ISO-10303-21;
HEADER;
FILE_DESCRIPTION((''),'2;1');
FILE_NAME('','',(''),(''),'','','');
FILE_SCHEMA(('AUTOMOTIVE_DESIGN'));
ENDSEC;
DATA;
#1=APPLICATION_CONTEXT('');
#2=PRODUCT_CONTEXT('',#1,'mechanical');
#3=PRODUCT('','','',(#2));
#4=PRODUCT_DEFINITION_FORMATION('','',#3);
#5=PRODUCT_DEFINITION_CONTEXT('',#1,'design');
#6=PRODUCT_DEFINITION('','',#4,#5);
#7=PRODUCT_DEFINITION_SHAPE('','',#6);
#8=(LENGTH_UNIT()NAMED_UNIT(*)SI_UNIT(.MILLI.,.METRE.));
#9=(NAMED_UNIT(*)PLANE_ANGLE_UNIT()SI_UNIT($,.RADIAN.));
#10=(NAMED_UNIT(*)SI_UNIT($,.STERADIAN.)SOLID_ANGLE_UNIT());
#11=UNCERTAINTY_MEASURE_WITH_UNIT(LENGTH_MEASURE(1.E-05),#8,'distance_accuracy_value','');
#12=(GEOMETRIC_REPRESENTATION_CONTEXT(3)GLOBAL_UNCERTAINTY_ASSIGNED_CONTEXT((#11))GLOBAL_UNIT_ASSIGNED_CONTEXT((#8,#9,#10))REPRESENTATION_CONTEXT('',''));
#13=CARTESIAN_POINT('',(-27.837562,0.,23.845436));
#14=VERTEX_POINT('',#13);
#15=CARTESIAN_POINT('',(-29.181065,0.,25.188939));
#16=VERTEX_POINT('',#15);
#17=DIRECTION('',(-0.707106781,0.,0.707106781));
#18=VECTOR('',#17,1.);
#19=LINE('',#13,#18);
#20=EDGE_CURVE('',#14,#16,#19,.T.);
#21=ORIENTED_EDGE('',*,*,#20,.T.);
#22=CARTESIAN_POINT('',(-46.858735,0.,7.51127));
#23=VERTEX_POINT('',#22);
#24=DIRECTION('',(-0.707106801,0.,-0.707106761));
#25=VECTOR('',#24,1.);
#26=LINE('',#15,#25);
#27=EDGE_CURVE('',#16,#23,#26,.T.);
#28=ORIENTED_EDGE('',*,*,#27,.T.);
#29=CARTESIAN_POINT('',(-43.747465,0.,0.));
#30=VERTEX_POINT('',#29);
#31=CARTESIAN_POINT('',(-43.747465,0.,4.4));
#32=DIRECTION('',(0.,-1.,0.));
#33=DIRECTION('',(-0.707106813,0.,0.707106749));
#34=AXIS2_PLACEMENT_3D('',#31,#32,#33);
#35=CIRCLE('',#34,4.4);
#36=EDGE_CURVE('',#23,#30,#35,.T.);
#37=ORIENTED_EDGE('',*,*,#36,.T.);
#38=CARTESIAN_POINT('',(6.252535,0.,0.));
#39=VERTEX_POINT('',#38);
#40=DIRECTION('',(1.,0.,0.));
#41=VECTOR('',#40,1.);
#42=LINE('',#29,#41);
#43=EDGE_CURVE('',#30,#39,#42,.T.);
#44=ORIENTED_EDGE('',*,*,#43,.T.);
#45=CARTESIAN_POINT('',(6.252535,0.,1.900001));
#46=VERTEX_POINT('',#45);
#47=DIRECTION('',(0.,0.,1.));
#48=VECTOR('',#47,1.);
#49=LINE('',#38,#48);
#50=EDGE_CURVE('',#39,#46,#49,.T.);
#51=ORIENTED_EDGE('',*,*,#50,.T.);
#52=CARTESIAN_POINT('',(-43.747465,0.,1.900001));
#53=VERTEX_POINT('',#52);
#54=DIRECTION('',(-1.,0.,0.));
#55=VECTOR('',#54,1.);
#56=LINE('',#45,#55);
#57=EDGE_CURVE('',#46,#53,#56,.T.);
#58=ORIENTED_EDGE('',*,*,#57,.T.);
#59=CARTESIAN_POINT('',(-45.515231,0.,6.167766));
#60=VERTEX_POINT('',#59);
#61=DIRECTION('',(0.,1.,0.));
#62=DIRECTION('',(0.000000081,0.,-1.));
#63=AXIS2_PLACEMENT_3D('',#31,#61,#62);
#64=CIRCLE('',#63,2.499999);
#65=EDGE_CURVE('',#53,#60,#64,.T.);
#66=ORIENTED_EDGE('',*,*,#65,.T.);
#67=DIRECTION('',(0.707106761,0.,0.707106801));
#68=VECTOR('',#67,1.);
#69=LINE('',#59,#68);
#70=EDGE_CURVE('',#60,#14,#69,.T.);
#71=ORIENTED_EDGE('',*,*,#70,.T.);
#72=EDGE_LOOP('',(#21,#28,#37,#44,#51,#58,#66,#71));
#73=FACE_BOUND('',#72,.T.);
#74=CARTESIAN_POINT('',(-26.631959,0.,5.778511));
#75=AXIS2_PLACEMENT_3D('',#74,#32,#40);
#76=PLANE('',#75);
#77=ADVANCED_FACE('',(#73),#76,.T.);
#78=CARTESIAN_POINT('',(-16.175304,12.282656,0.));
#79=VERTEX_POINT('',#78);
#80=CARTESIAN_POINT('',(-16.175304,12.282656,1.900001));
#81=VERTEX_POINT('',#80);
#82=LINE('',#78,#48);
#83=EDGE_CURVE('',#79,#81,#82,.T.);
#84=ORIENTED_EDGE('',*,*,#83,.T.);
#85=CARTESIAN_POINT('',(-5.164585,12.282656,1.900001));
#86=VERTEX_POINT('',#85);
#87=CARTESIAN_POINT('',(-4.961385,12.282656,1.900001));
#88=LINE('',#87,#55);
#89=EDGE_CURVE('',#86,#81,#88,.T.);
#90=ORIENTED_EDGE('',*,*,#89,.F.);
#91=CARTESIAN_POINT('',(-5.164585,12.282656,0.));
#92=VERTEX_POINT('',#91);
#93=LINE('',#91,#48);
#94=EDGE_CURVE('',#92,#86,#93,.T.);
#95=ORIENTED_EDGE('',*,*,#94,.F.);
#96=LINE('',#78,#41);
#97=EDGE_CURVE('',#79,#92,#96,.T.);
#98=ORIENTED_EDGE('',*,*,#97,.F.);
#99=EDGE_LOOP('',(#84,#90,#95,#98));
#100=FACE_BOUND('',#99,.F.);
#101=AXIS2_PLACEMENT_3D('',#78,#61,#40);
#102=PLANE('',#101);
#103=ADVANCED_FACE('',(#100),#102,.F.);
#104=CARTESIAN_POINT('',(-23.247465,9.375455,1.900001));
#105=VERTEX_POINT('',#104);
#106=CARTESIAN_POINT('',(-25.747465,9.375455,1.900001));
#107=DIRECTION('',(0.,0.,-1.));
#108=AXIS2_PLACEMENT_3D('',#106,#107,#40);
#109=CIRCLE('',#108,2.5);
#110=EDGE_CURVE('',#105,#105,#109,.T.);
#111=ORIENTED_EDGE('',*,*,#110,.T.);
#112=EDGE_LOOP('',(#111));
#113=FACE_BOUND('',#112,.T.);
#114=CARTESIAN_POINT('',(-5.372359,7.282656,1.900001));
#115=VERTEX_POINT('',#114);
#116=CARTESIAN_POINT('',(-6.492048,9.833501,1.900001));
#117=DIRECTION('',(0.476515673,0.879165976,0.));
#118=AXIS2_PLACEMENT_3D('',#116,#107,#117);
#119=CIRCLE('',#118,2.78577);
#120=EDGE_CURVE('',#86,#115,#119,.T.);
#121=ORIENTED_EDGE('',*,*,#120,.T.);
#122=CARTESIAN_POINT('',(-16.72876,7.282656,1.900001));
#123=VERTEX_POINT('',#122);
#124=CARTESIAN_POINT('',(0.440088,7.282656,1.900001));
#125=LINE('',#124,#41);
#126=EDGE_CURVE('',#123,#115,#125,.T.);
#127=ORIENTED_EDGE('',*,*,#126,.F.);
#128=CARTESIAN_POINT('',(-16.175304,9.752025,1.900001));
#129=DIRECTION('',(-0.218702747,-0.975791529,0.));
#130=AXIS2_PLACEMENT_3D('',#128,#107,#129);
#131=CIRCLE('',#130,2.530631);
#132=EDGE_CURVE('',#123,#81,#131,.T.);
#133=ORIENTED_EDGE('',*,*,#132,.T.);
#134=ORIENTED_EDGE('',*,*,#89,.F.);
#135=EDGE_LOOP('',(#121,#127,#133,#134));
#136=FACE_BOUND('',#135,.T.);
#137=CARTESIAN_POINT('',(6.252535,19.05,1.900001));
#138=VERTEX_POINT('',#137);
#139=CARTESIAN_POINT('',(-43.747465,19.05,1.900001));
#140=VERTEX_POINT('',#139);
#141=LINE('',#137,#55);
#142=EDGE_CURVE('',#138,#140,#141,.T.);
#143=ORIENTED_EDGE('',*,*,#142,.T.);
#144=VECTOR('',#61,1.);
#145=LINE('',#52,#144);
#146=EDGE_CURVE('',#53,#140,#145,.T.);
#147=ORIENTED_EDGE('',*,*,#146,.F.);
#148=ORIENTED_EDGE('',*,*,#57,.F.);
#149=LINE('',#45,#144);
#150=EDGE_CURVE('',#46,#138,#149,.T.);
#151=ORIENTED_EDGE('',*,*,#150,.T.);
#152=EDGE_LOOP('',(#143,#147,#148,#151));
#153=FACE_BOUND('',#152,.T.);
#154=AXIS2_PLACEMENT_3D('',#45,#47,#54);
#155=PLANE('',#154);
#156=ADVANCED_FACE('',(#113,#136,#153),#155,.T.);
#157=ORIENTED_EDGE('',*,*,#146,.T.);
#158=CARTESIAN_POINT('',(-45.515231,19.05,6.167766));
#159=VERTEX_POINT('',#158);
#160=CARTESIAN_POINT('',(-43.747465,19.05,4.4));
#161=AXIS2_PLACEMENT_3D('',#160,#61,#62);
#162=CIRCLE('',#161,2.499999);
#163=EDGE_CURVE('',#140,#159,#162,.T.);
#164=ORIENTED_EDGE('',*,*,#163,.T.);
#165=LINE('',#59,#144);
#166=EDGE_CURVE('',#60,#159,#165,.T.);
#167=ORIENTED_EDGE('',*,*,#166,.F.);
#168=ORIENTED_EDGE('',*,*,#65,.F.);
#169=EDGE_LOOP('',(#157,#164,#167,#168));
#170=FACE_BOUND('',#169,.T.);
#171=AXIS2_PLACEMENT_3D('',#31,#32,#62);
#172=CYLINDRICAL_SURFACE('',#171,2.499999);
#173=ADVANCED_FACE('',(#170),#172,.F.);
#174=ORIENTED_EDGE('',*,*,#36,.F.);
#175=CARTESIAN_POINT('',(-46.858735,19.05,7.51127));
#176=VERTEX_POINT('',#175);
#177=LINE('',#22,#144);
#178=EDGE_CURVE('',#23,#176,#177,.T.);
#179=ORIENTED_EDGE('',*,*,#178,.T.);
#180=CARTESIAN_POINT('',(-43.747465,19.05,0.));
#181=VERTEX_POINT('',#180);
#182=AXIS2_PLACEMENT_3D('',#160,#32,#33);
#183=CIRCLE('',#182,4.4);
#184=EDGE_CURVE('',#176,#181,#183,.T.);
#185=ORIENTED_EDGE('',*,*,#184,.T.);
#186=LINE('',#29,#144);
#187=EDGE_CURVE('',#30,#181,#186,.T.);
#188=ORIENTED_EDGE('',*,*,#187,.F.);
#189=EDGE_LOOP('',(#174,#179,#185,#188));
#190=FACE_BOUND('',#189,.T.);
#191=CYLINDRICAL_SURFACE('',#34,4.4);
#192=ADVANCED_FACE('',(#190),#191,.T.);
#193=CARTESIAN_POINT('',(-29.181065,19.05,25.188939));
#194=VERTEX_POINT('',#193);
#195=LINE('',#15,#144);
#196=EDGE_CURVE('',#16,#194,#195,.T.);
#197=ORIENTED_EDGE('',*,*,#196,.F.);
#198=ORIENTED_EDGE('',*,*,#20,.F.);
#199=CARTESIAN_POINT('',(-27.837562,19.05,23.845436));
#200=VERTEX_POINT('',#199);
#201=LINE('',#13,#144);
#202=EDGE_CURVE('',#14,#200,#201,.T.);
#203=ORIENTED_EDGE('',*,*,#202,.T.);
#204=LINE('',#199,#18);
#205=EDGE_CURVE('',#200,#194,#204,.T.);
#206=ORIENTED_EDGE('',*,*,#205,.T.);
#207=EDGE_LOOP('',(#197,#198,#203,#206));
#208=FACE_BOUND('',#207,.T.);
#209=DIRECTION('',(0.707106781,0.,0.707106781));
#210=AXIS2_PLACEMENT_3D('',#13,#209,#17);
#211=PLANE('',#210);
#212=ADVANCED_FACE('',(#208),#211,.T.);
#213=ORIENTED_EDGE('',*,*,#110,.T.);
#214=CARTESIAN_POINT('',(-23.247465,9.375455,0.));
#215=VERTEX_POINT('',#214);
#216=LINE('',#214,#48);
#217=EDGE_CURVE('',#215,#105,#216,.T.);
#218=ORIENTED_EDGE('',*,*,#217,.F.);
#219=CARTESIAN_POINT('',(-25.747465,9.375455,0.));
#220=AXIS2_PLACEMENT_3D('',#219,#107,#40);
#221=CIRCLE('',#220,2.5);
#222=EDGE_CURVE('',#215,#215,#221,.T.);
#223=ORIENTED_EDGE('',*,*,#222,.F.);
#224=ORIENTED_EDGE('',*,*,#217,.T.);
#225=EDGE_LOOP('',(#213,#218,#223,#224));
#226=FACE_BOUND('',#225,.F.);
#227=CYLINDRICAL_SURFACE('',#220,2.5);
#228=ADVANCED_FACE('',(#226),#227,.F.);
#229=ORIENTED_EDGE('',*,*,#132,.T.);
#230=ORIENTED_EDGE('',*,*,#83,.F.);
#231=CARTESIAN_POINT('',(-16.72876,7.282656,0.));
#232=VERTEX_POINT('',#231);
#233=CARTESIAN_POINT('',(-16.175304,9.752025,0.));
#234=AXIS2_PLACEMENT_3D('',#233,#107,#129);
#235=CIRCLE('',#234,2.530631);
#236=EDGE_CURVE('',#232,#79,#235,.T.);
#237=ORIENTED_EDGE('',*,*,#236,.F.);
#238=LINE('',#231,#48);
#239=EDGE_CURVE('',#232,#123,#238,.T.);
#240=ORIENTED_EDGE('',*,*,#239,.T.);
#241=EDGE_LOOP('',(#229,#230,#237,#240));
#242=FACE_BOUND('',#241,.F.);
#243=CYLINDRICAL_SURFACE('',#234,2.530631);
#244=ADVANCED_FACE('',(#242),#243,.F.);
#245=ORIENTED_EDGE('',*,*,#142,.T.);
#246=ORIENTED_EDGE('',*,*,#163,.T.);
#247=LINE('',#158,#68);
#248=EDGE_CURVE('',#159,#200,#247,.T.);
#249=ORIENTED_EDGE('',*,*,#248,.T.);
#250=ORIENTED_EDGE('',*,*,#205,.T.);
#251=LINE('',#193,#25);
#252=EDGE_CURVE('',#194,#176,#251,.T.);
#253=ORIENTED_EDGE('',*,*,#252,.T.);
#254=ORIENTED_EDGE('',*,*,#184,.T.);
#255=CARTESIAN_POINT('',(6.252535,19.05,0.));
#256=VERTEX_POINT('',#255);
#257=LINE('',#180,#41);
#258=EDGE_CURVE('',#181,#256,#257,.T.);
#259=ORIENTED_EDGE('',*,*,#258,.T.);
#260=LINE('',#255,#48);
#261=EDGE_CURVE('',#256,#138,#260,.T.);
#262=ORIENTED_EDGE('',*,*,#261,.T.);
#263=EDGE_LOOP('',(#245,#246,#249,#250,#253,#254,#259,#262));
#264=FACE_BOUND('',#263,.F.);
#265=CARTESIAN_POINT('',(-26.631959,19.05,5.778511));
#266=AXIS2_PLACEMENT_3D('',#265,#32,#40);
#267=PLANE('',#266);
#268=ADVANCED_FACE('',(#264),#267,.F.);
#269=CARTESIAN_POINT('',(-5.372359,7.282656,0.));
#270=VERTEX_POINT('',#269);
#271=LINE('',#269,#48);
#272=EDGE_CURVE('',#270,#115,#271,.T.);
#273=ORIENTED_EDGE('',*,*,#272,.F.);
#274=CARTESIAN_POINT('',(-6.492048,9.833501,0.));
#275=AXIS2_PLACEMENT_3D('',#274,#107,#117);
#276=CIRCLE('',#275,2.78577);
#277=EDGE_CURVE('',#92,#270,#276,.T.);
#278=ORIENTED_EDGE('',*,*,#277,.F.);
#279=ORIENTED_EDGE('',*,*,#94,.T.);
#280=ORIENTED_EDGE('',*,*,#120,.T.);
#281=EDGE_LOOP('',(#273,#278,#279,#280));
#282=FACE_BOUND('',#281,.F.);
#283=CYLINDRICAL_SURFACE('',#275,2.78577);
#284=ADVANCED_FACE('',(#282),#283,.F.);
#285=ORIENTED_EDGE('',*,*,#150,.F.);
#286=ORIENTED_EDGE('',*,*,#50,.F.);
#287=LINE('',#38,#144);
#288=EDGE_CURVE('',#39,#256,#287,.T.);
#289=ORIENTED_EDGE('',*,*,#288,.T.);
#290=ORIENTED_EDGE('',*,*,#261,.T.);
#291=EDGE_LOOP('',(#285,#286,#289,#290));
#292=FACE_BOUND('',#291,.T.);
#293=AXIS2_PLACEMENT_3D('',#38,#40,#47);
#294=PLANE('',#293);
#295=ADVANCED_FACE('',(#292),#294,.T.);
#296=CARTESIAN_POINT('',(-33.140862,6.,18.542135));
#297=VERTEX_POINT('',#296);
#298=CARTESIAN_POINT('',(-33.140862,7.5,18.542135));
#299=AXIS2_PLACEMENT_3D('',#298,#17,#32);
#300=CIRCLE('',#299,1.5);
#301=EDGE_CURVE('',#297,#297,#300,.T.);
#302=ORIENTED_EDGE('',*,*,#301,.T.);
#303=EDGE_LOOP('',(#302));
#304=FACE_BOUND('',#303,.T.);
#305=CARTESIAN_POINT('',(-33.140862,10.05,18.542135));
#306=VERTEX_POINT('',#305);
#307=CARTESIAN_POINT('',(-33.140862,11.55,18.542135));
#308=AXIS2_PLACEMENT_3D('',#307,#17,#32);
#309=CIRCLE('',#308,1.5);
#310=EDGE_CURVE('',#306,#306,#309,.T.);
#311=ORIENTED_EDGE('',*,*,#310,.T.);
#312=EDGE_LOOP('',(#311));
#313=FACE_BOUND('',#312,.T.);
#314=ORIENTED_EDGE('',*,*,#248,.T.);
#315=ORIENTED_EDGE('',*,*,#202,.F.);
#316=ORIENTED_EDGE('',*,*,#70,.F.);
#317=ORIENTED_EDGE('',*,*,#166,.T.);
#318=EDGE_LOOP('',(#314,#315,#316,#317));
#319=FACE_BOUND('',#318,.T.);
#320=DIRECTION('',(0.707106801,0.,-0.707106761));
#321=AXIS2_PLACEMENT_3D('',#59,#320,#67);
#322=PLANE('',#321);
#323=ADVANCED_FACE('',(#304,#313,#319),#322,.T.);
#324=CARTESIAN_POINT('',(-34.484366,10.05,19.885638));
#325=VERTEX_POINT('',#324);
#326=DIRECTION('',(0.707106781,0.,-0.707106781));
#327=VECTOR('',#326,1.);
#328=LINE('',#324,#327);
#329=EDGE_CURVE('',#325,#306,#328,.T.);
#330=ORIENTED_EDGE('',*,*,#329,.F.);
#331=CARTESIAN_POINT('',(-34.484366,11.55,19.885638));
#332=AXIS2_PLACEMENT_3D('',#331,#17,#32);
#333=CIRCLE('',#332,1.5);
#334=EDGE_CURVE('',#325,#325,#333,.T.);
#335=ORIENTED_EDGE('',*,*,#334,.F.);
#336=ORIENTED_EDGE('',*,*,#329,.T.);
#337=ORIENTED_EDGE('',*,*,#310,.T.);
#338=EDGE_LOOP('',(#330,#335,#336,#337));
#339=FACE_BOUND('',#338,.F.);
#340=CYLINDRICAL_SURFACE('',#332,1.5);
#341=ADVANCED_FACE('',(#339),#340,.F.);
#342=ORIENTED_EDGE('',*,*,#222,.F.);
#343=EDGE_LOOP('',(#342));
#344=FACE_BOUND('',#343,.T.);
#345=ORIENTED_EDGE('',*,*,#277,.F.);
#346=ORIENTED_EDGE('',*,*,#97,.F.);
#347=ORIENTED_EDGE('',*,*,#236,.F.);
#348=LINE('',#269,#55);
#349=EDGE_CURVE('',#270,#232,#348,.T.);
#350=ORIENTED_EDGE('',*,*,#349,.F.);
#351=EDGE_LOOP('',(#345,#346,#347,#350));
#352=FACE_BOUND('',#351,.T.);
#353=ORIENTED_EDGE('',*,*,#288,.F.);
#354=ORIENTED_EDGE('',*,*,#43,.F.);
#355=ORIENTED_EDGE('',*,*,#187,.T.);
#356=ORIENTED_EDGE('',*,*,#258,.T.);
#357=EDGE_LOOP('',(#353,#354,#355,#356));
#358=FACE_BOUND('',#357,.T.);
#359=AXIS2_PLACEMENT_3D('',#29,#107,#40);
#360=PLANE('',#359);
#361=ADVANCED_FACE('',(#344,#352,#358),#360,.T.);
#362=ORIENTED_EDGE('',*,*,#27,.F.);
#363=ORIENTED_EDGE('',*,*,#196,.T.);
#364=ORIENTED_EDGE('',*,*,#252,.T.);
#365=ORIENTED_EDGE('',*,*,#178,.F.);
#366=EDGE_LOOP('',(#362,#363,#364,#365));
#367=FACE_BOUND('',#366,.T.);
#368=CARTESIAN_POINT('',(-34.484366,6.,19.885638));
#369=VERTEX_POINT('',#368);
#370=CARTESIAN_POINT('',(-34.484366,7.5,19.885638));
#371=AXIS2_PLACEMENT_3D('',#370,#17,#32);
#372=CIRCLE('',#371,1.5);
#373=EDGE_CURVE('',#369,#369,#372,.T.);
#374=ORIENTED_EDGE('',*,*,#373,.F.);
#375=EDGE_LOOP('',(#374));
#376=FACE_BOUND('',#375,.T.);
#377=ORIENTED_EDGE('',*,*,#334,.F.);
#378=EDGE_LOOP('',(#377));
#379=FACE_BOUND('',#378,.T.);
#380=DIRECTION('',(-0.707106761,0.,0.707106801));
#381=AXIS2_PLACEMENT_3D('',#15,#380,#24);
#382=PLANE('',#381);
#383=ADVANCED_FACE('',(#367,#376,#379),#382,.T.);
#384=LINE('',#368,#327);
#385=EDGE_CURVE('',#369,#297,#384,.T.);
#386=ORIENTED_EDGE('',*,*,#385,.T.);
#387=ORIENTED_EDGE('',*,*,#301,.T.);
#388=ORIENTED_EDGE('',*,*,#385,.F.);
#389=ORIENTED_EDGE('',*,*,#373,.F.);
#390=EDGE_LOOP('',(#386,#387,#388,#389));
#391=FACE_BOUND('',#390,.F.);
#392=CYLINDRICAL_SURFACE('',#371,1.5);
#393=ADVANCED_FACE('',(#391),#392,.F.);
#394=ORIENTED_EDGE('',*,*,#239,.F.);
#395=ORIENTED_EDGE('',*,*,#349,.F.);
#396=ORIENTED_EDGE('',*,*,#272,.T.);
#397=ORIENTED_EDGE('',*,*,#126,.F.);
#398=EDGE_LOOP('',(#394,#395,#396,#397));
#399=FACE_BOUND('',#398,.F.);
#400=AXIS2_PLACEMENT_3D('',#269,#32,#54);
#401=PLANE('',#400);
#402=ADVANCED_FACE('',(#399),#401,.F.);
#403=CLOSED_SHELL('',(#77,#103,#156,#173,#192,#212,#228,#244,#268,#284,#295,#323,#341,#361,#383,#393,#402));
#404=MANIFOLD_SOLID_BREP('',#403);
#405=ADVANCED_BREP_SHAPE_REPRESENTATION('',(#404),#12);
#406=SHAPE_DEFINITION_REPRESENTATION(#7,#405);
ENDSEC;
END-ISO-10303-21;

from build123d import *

# Parameters (mm, degrees)
F1_DEPTH = 19.05
F2_R     = 1.5
F3_DEPTH = 12.7
F4_R     = 2.5
F5_DEPTH = 12.7


with BuildPart() as f1:
    # F0 (on Front) → F1 (new body)
    with BuildSketch(Plane.XZ):
        with BuildLine():
            Line((-43.747465, 0), (6.252535, 0))
            Line((6.252535, 0), (6.252535, 1.900001))
            Line((6.252535, 1.900001), (-43.747465, 1.900001))
            ThreePointArc((-43.747465, 1.900001), (-46.057163, 3.443292), (-45.515231, 6.167766))
            Line((-45.515231, 6.167766), (-27.837562, 23.845436))
            Line((-27.837562, 23.845436), (-29.181065, 25.188939))
            Line((-29.181065, 25.188939), (-46.858735, 7.51127))
            ThreePointArc((-46.858735, 7.51127), (-47.812535, 2.716193), (-43.747465, 0))
        make_face()
    extrude(amount=-F1_DEPTH)

    # F2 (on face) → F3 (cut)
    with BuildSketch(Plane(origin=(-27.185002, 0, 27.185002), x_dir=(0, -1, 0), z_dir=(-0.707107, 0, 0.707107))):
        with Locations((-7.5, -10.322859)):
            Circle(F2_R)
        with Locations((-11.55, -10.322859)):
            Circle(F2_R)
    extrude(amount=-F3_DEPTH, mode=Mode.SUBTRACT)

    # F4 (on face) → F5 (cut)
    with BuildSketch(Plane(origin=(0, 0, 0), x_dir=(1, 0, 0), z_dir=(0, 0, -1))):
        with BuildLine():
            Line((-5.372359, -7.282656), (-16.72876, -7.282656))
            ThreePointArc((-16.72876, -7.282656), (-18.690573, -10.030443), (-16.175304, -12.282656))
            Line((-16.175304, -12.282656), (-5.164585, -12.282656))
            ThreePointArc((-5.164585, -12.282656), (-3.70868, -9.717839), (-5.372359, -7.282656))
        make_face()
        with Locations((-25.747465, -9.375455)):
            Circle(F4_R)
    extrude(amount=-F5_DEPTH, mode=Mode.SUBTRACT)


solid = f1.part
